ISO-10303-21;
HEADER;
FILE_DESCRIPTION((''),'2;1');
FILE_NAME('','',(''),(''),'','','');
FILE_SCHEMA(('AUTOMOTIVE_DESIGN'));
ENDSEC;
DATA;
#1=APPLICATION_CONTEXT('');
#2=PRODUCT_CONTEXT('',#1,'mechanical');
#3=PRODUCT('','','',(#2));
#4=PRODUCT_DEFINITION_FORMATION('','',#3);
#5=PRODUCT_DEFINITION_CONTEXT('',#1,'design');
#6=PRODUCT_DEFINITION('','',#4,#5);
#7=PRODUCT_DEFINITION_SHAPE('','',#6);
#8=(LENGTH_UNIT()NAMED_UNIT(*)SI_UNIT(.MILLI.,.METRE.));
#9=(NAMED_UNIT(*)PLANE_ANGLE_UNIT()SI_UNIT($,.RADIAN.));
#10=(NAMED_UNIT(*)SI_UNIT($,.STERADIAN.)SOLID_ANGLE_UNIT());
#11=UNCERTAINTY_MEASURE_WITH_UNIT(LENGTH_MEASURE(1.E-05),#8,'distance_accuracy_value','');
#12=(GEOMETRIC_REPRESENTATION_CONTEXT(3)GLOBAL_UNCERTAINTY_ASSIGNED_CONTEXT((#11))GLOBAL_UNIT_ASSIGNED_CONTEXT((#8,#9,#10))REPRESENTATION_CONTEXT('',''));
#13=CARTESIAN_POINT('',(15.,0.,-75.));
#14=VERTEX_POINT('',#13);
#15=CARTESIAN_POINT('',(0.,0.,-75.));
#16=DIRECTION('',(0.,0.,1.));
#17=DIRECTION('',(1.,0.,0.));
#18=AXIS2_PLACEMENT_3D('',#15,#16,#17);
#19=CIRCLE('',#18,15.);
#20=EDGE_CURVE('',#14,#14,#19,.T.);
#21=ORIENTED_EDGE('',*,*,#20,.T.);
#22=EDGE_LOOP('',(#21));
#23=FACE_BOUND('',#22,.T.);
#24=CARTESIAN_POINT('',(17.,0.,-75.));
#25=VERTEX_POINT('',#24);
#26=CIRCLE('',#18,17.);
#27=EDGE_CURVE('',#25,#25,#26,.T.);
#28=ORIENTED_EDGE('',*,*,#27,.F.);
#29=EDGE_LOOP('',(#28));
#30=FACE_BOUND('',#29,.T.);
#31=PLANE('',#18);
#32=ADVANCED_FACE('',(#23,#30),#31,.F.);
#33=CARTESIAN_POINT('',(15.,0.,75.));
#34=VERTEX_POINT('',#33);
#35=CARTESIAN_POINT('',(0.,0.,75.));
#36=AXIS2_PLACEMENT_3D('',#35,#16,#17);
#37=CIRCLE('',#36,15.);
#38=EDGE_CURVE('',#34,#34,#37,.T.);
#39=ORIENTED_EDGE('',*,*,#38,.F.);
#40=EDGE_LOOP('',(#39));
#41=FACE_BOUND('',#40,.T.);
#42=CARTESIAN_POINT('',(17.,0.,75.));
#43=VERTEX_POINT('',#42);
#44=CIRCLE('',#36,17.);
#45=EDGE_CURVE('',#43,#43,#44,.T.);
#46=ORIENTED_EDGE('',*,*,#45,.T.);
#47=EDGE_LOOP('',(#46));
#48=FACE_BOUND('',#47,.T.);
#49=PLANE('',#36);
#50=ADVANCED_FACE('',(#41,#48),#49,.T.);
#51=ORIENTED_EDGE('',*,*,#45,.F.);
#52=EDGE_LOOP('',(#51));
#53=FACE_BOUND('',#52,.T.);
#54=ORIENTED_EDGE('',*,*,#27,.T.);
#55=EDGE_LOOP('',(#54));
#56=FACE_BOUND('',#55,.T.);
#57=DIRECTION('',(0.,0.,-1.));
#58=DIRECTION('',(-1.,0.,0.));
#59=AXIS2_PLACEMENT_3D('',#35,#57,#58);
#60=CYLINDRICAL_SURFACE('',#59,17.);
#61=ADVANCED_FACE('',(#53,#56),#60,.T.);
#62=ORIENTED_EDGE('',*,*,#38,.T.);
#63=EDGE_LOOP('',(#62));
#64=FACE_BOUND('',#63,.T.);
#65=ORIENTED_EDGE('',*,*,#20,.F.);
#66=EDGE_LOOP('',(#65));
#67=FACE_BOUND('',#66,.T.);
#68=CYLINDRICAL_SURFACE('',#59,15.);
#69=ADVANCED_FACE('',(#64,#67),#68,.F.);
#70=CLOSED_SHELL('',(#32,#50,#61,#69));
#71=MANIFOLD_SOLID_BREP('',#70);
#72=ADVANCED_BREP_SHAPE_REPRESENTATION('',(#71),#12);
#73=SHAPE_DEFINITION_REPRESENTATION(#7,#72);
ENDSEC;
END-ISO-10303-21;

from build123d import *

# Parameters (mm, degrees)
SKETCH1_R           = 17
SKETCH1_R_2         = 15
BOSS_EXTRUDE1_DEPTH = 75


with BuildPart() as part:
    # Sketch1 → Boss-Extrude1 (new, symmetric)
    with BuildSketch(Plane.XY):
        Circle(SKETCH1_R)
        Circle(SKETCH1_R_2, mode=Mode.SUBTRACT)
    extrude(amount=BOSS_EXTRUDE1_DEPTH, both=True)


solid = part.part
